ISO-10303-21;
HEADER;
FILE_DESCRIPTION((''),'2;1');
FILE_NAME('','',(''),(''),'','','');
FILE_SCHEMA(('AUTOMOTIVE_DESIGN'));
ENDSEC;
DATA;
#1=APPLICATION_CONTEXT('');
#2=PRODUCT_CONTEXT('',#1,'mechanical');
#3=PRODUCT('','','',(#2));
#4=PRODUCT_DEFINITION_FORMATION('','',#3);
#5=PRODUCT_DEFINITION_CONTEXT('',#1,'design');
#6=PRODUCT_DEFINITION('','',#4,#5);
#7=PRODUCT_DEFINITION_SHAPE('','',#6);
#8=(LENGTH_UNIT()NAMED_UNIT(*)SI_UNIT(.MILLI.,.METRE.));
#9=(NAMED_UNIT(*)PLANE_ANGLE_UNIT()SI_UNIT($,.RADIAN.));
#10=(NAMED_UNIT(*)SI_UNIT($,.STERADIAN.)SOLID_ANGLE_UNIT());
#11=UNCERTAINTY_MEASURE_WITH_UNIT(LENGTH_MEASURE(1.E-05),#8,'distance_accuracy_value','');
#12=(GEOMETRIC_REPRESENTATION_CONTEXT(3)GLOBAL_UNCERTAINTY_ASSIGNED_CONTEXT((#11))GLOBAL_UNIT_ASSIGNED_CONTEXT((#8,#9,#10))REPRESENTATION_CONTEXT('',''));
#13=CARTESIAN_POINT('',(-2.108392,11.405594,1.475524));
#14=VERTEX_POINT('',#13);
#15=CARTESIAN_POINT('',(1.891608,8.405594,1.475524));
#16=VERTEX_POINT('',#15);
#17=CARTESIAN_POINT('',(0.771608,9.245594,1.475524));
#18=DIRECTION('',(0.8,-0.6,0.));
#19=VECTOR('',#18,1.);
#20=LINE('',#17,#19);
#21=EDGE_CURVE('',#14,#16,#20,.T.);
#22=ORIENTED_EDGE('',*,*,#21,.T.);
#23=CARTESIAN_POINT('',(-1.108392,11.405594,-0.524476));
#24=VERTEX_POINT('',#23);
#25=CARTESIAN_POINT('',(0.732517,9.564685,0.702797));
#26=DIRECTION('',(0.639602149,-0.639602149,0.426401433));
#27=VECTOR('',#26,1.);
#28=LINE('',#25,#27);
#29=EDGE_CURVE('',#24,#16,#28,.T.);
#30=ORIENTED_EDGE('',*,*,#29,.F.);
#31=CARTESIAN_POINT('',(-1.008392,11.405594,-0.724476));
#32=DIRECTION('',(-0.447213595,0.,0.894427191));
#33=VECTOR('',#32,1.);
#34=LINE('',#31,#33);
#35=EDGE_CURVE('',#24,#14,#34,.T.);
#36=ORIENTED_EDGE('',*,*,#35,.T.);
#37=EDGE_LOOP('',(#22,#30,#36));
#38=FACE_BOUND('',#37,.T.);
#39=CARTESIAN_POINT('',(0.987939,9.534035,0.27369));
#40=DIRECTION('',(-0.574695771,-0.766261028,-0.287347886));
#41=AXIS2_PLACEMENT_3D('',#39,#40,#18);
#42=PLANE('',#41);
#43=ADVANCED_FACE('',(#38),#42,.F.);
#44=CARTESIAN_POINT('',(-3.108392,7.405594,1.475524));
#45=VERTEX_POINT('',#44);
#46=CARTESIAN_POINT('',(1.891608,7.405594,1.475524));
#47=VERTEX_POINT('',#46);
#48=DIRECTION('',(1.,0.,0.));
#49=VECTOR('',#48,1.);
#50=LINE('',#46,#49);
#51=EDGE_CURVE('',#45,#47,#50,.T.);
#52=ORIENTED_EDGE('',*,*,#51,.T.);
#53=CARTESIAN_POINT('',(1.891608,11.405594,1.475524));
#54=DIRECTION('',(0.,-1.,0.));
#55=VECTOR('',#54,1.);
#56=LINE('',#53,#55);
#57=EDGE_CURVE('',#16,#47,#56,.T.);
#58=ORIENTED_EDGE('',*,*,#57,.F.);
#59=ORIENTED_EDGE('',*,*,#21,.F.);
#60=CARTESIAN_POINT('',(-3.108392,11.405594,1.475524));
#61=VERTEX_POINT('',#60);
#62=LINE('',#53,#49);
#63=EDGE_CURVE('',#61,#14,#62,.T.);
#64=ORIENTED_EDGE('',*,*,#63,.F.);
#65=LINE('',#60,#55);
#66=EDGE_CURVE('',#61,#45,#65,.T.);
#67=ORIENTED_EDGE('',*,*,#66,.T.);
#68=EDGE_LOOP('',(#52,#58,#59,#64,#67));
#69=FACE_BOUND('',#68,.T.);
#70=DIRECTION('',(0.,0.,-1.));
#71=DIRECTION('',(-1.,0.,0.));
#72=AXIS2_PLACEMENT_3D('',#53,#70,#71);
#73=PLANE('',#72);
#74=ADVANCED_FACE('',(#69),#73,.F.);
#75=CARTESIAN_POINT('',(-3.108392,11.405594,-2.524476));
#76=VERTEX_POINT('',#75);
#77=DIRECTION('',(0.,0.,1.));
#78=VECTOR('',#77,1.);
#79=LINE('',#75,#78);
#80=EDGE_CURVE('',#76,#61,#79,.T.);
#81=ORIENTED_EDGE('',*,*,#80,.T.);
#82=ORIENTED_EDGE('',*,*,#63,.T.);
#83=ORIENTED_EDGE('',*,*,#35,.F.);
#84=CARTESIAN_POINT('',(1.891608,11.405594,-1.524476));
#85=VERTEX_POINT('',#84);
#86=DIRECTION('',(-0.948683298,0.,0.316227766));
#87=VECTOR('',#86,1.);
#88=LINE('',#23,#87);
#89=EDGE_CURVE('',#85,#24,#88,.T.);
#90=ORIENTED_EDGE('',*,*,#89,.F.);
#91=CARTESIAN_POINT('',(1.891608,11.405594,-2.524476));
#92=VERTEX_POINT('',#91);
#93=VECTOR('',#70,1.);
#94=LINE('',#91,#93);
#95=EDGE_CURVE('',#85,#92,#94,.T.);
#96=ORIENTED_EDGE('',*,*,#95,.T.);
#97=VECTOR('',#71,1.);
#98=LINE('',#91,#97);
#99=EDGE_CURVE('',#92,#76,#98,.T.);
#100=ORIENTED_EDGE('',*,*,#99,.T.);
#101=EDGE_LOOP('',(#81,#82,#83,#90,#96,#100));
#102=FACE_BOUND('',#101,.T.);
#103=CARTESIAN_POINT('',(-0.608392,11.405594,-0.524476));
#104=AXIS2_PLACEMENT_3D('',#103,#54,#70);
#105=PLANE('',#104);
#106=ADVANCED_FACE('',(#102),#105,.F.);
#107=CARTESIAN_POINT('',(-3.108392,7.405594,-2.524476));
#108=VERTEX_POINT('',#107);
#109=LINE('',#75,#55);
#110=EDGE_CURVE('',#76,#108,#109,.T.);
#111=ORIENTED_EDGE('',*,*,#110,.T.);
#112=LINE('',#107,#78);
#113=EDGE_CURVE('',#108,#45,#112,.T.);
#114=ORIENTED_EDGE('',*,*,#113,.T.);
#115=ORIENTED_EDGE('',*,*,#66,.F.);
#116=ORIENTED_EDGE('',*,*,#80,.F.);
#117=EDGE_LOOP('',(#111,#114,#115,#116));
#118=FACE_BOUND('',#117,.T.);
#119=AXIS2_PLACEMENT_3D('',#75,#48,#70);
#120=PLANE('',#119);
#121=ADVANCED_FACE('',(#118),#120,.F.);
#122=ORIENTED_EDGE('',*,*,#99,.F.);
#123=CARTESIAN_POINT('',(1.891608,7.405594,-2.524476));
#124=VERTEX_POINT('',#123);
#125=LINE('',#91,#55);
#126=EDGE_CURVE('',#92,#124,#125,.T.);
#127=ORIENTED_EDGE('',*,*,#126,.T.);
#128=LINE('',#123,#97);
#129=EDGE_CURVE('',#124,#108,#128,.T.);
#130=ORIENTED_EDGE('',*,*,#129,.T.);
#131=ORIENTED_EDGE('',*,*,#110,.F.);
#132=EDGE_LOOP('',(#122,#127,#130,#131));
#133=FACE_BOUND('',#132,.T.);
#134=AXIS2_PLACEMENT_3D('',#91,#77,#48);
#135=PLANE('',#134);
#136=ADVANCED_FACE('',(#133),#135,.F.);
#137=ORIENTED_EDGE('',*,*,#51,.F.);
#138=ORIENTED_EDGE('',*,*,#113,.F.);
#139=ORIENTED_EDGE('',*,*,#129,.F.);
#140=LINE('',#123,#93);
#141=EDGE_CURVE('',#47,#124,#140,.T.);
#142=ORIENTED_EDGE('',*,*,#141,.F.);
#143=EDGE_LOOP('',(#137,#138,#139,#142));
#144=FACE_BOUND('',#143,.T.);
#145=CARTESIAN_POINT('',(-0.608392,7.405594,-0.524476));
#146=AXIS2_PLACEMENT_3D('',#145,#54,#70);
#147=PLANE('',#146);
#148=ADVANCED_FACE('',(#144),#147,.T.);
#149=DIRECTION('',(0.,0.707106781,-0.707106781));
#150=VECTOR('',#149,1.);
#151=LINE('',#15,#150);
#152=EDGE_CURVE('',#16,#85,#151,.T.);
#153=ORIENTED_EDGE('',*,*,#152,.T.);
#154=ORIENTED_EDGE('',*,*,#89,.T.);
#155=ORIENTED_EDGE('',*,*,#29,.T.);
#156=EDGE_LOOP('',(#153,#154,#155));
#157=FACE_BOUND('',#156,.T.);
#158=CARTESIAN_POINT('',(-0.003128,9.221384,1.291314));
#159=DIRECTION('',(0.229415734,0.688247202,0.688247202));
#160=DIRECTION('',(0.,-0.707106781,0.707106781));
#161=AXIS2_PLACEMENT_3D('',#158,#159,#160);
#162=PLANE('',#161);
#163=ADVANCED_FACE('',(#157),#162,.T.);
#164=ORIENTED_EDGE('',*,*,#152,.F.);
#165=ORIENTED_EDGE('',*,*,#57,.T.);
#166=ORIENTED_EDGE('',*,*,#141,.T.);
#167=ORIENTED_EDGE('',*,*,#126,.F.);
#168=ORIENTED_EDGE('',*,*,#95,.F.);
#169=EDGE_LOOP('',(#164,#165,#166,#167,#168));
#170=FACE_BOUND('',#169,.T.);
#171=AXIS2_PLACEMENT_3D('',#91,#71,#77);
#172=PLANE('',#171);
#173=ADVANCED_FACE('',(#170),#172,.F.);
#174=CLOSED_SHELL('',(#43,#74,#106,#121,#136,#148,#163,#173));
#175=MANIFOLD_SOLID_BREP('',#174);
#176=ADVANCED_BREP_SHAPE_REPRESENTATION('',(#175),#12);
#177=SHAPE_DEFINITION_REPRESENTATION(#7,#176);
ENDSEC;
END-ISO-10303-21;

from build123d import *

# Parameters (mm, degrees)
SKETCH_1_W          = 25
SKETCH_1_H          = 20
EXTRUDE_1_DEPTH     = 20
CUT_EXTRUDE_1_DEPTH = 20
CUT_EXTRUDE_5_DEPTH = 20
SCALE_1_SCALE       = 0.2


with BuildPart() as part:
    # 草圖1 → 填料-伸長1 (new body)
    with BuildSketch(Plane(origin=(0, 0, 0), x_dir=(1, 0, 0), z_dir=(0, 1, 0))):
        Rectangle(SKETCH_1_W, SKETCH_1_H)
    extrude(amount=EXTRUDE_1_DEPTH)

    # 草圖5 → 除料-伸長1 (cut)
    with BuildSketch(Plane(origin=(7.981651376, 10.642201835, 3.990825688), x_dir=(-0.818367137, 0.538104419, 0.201789157), z_dir=(-0.574695771, -0.766261028, -0.287347886))):
        Polygon((-5.521175546, -7.607674568), (18.917733471, -2.340822944), (12.808006217, 7.022468832), align=None)
    extrude(amount=-CUT_EXTRUDE_1_DEPTH, mode=Mode.SUBTRACT)

    # 草圖7 → 除料-伸長5 (cut)
    with BuildSketch(Plane(origin=(3.026315789, 9.078947368, 9.078947368), x_dir=(0.973328527, -0.162221421, -0.162221421), z_dir=(0.229415734, 0.688247202, 0.688247202))):
        Polygon((9.733285268, -3.535533906), (9.733285268, 17.67766953), (-5.67774974, 14.142135624), align=None)
    extrude(amount=CUT_EXTRUDE_5_DEPTH, mode=Mode.SUBTRACT)


with BuildPart() as part_1:
    # 縮放比例1: scaled about (-0.76048951, 9.256993007, -0.655594406)
    add(part.part.scale(SCALE_1_SCALE).moved(Location((-0.608391608, 7.405594406, -0.524475525))))


solid = part_1.part
